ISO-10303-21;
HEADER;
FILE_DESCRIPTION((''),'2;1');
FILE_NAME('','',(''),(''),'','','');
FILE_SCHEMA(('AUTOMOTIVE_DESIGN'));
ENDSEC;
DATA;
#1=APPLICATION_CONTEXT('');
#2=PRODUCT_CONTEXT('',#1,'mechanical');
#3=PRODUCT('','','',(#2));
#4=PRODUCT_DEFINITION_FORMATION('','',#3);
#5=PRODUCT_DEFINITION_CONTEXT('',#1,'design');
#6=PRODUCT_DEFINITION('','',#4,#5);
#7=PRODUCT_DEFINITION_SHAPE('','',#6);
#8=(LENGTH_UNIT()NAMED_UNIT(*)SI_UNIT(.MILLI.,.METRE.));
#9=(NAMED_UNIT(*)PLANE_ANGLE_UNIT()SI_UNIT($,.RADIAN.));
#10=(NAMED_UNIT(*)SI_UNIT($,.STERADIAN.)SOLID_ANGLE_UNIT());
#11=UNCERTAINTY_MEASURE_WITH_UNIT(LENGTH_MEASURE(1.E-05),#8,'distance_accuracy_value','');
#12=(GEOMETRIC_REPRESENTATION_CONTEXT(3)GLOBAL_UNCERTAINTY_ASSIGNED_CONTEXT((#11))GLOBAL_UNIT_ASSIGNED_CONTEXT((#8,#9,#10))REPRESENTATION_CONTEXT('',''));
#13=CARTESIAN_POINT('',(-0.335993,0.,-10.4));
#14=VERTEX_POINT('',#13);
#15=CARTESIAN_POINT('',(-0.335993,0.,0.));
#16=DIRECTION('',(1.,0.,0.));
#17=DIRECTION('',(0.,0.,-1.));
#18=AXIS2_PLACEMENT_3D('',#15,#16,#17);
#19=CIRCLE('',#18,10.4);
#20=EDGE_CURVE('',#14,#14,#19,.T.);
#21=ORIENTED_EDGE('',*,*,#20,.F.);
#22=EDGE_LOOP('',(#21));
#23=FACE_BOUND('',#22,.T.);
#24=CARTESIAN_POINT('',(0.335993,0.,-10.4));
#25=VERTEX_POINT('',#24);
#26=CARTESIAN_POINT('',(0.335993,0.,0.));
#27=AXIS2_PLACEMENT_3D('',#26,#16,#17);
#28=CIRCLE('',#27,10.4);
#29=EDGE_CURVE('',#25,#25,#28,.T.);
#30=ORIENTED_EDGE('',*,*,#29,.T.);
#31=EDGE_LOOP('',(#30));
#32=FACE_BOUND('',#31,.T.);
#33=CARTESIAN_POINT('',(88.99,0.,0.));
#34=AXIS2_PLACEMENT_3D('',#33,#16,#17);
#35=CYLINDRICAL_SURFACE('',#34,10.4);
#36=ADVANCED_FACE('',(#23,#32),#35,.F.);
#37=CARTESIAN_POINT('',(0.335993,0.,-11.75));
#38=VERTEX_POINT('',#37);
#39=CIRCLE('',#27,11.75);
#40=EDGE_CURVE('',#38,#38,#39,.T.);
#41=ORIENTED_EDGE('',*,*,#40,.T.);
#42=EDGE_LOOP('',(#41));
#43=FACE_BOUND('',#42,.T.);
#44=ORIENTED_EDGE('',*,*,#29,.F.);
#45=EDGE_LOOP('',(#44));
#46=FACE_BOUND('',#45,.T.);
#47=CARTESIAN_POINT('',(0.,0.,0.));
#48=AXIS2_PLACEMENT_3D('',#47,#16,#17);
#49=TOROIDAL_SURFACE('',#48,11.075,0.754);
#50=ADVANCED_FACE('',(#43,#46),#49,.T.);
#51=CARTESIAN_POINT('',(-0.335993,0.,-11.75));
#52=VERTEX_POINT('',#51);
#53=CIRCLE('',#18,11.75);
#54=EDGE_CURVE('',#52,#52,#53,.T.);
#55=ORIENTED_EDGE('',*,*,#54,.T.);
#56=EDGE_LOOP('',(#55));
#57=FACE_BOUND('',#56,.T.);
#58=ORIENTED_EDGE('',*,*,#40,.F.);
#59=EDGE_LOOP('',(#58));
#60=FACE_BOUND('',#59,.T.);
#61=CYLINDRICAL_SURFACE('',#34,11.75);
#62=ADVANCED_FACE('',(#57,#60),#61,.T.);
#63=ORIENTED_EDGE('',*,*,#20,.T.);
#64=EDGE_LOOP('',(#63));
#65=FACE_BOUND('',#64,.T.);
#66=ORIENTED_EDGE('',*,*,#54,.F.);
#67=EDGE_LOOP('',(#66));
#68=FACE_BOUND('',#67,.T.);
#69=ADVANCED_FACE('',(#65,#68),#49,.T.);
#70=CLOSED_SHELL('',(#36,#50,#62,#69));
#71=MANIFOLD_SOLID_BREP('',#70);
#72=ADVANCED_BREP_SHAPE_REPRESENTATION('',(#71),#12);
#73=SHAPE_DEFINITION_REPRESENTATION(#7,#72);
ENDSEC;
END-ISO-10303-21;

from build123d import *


with BuildPart() as part:
    # Sketch5 → Revolve4 (revolve)
    with BuildSketch(Plane.XY, mode=Mode.PRIVATE) as revolve4_sk:
        with BuildLine():
            Line((-0.335992559, 11.75), (0.335992559, 11.75))
            ThreePointArc((0.335992559, 11.75), (0.754, 11.075), (0.335992559, 10.4))
            Line((0.335992559, 10.4), (-0.335992559, 10.4))
            ThreePointArc((-0.335992559, 10.4), (-0.754, 11.075), (-0.335992559, 11.75))
        make_face()
    revolve(revolve4_sk.sketch.rotate(Axis((88.99, 0, 0), (-1, 0, 0)), 90), axis=Axis((88.99, 0, 0), (-1, 0, 0)))  # turned: the seam where the file's is


solid = part.part
